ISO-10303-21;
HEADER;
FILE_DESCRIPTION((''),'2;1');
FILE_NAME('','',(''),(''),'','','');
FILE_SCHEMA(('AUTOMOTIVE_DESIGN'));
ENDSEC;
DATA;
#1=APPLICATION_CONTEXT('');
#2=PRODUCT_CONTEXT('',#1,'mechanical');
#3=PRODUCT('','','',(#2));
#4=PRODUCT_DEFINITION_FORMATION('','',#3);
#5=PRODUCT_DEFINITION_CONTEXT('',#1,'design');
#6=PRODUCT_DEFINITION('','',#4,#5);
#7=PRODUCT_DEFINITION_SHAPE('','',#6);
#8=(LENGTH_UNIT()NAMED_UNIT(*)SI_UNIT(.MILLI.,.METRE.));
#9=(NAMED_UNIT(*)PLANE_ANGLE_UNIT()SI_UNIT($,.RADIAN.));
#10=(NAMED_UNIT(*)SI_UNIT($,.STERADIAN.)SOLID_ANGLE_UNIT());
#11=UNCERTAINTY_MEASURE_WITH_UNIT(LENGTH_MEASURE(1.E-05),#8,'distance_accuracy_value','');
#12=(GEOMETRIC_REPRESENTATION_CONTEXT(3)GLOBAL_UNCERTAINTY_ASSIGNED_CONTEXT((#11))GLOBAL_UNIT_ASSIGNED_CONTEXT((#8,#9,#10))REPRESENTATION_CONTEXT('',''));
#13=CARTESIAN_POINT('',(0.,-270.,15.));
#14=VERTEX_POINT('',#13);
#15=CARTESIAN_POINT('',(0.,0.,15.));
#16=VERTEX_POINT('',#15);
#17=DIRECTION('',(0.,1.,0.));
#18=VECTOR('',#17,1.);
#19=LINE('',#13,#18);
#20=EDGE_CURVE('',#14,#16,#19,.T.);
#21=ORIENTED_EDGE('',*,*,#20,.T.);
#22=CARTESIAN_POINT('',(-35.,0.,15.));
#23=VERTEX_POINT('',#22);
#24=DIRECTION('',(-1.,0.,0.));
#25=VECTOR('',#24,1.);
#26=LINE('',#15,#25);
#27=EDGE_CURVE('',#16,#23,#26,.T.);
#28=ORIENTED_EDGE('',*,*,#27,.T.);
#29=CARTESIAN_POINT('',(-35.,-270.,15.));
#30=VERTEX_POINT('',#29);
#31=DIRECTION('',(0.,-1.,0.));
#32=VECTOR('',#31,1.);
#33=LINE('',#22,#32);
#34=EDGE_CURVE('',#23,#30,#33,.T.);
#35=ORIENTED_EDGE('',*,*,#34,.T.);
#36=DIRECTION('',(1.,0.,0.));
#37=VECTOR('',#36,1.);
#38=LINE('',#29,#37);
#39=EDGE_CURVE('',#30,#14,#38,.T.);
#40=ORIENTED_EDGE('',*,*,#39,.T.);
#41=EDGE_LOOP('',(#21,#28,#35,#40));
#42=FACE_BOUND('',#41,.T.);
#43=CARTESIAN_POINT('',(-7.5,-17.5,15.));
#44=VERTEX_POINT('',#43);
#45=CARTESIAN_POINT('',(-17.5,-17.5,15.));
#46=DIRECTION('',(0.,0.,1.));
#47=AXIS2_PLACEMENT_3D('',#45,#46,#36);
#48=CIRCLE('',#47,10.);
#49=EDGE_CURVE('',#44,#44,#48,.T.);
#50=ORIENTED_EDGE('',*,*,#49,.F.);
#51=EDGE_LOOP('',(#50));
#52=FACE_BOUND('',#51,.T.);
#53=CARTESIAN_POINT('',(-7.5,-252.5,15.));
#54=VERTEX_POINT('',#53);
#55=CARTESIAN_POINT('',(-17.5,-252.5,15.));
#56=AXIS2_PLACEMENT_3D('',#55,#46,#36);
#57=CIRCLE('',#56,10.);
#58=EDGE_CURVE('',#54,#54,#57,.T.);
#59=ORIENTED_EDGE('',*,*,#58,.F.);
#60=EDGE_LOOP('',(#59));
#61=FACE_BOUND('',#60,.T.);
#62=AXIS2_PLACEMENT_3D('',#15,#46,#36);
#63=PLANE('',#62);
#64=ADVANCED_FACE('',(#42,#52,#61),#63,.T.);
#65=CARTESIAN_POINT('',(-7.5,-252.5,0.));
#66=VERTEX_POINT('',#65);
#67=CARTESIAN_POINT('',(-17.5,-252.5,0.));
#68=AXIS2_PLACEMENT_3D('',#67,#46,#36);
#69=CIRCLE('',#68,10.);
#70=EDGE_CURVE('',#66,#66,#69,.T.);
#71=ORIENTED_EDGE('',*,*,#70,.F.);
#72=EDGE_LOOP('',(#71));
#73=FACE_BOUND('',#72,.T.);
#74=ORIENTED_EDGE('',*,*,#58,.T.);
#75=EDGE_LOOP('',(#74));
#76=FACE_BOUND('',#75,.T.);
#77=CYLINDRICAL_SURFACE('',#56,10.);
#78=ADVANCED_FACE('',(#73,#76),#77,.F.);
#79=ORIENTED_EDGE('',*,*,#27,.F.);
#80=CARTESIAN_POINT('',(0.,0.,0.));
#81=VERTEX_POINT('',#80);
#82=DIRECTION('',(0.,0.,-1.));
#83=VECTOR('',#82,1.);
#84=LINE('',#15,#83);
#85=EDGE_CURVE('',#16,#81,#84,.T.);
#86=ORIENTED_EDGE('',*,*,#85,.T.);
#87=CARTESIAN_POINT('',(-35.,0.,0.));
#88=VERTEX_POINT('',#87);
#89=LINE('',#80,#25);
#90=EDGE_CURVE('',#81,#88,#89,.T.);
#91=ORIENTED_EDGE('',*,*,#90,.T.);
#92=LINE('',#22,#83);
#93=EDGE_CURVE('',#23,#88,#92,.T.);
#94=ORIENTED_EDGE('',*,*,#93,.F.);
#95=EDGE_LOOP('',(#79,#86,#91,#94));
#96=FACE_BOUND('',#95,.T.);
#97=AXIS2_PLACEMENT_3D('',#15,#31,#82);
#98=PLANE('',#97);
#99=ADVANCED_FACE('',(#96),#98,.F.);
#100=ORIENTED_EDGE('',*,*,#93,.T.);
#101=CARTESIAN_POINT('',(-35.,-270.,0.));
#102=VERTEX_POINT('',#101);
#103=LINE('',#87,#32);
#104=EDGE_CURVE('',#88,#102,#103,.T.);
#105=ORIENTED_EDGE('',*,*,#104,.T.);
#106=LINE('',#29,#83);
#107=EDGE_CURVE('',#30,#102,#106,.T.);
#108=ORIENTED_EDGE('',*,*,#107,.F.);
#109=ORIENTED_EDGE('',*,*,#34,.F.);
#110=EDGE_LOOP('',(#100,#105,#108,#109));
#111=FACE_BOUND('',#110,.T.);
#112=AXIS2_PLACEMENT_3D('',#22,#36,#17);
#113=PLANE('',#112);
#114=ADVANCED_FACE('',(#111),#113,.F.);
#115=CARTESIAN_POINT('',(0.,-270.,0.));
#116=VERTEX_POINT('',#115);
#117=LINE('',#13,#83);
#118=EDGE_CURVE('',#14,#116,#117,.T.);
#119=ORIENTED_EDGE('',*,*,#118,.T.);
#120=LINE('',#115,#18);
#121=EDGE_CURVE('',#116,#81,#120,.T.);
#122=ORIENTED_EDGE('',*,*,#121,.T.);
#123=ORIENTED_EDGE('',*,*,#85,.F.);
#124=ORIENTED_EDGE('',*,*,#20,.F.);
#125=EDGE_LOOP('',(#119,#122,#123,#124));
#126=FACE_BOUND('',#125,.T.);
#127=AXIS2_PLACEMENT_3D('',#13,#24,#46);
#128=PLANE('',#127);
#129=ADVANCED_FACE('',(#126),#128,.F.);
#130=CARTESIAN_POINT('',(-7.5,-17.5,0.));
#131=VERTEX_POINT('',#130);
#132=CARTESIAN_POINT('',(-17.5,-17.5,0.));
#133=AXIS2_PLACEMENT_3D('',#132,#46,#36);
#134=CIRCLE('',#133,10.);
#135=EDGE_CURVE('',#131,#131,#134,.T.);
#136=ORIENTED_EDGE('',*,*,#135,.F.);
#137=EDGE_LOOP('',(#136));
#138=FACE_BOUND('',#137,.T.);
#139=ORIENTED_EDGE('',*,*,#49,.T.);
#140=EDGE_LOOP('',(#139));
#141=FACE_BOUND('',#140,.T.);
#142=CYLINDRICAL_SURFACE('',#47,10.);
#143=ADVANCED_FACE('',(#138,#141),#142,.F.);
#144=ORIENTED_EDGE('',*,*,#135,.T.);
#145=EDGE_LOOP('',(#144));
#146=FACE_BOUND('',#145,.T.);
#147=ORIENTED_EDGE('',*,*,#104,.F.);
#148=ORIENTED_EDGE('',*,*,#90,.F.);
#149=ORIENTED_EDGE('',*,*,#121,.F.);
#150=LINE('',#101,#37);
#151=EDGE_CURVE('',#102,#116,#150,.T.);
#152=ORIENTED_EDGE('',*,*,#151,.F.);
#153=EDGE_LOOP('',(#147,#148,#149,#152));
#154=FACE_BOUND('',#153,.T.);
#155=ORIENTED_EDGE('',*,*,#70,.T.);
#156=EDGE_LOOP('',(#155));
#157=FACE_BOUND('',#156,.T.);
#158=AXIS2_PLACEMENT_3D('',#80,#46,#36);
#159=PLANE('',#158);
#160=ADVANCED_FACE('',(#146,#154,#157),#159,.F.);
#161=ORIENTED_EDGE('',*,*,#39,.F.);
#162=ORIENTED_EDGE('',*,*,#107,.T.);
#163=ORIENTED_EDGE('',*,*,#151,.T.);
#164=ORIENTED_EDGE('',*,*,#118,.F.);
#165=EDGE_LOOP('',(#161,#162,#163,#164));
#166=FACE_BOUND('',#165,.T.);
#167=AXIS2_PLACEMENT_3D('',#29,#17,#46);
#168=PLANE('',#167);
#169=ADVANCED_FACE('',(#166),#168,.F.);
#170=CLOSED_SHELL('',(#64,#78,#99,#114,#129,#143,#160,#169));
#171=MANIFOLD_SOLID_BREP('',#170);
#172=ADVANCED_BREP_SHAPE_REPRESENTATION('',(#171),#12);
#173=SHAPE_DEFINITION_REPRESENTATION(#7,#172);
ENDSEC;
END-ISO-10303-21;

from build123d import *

# Parameters (mm, degrees)
SKETCH1_W              = 35
SKETCH1_H              = 270
BOSS_EXTRUDE1_DEPTH    = 15
F_20_0MM_DOWEL_HOLE1_D = 20


with BuildPart() as part:
    # Sketch1 → Boss-Extrude1 (new body)
    with BuildSketch(Plane.XY):
        with Locations((-17.5, -135)):
            Rectangle(SKETCH1_W, SKETCH1_H)
    extrude(amount=BOSS_EXTRUDE1_DEPTH)

    # Ø20.0mm Dowel Hole1 (through all)
    with Locations(Plane.XY.offset(15)):
        with Locations((-17.5, -17.5), (-17.5, -252.5)):
            Hole(F_20_0MM_DOWEL_HOLE1_D / 2)


solid = part.part
